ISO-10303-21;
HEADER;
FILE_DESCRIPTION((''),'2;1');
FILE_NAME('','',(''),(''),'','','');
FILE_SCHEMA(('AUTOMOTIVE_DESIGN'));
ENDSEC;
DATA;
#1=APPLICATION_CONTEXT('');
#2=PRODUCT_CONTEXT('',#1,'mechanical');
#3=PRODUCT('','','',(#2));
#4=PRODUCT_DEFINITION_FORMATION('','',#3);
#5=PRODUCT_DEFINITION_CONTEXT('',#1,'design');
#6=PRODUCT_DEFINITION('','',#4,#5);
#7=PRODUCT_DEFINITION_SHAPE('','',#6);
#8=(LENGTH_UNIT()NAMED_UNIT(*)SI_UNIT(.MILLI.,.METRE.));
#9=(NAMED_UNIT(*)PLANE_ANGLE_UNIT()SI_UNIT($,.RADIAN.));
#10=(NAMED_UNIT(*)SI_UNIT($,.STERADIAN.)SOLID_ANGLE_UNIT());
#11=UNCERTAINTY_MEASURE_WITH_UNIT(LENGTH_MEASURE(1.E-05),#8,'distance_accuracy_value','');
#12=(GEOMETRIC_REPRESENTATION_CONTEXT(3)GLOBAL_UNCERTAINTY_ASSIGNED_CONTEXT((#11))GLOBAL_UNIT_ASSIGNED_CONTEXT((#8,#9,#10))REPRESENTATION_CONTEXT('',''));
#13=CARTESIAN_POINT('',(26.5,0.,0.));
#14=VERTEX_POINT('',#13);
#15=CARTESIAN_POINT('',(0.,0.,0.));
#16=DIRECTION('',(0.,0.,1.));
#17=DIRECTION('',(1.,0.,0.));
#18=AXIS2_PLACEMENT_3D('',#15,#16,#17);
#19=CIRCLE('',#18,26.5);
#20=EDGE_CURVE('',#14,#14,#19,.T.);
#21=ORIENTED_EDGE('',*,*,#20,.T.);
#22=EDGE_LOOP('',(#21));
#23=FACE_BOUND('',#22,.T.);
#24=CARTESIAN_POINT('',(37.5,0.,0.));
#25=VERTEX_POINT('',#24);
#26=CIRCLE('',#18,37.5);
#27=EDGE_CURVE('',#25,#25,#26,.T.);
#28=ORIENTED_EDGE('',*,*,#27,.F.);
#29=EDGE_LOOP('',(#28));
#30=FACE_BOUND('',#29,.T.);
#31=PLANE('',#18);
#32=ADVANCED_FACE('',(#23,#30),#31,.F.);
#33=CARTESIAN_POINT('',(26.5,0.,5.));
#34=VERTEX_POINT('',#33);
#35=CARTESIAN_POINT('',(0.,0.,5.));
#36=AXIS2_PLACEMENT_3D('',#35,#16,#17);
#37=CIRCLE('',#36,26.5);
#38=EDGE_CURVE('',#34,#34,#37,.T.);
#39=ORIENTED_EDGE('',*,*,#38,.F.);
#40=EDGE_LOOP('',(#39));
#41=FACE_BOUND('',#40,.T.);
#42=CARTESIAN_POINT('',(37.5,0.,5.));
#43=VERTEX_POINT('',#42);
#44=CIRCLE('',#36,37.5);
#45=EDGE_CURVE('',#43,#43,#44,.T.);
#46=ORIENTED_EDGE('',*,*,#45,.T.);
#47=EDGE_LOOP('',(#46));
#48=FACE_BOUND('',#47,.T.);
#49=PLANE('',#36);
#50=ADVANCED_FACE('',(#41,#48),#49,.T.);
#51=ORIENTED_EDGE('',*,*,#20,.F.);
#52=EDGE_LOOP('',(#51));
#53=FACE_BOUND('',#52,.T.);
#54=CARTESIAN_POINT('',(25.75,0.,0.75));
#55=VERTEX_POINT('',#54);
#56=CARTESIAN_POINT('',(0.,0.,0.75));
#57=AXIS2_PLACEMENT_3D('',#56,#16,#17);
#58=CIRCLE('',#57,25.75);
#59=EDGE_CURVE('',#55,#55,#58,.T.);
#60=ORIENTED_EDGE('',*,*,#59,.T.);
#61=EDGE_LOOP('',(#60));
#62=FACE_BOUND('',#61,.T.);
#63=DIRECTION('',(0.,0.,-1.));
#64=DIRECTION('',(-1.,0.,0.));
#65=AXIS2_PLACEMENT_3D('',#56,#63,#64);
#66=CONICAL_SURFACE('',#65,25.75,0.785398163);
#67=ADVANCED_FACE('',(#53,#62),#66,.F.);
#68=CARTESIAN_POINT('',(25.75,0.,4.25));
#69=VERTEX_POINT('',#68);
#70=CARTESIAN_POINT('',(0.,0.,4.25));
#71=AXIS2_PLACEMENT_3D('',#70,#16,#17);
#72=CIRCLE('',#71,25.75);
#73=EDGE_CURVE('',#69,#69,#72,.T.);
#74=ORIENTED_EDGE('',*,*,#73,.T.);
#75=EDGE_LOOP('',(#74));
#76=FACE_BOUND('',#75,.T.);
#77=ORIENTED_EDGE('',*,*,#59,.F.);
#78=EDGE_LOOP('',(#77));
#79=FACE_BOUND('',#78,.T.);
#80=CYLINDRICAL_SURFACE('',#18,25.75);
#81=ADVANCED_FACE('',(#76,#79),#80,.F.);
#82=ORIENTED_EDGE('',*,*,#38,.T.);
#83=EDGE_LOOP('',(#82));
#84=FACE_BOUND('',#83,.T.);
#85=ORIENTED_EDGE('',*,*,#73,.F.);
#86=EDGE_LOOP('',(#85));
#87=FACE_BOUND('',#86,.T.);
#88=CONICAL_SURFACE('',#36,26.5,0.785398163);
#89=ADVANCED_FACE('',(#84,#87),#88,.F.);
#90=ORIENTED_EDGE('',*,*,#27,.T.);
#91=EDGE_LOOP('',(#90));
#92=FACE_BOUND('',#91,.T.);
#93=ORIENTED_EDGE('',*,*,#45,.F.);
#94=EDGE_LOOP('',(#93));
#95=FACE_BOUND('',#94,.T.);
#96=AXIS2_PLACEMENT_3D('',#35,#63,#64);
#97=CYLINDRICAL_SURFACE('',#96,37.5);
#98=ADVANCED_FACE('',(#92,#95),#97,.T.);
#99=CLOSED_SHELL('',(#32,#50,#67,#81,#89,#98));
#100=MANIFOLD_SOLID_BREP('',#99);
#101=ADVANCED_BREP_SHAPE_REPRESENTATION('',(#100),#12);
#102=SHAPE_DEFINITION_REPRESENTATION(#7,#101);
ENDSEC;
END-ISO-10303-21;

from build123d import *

# Parameters (mm, degrees)
GUARD_BASE_R     = 37.5
GUARD_DEPTH      = 5
AXLE_HOLE_BASE_R = 25.75
AXLE_HOLE_DEPTH  = 6


with BuildPart() as part:
    # Guard base → Guard (new body)
    with BuildSketch(Plane.XY):
        Circle(GUARD_BASE_R)
    extrude(amount=GUARD_DEPTH)

    # Axle hole base → Axle hole (cut, through all)
    with BuildSketch(Plane.XY.offset(5)):
        Circle(AXLE_HOLE_BASE_R)
    extrude(amount=-AXLE_HOLE_DEPTH, mode=Mode.SUBTRACT)

    # Mate ring room base → Mate ring room (revolve, cut)
    with BuildSketch(Plane(origin=(0, 0, 0), x_dir=(1, 0, 0), z_dir=(0, 1, 0))):
        Polygon((25.75, -5), (26.5, -5), (25.75, -4.25), align=None)
        Polygon((25.75, 0), (26.5, 0), (25.75, -0.75), align=None)
    revolve(axis=Axis((0, 0, 0), (0, 0, -1)), mode=Mode.SUBTRACT)


solid = part.part
